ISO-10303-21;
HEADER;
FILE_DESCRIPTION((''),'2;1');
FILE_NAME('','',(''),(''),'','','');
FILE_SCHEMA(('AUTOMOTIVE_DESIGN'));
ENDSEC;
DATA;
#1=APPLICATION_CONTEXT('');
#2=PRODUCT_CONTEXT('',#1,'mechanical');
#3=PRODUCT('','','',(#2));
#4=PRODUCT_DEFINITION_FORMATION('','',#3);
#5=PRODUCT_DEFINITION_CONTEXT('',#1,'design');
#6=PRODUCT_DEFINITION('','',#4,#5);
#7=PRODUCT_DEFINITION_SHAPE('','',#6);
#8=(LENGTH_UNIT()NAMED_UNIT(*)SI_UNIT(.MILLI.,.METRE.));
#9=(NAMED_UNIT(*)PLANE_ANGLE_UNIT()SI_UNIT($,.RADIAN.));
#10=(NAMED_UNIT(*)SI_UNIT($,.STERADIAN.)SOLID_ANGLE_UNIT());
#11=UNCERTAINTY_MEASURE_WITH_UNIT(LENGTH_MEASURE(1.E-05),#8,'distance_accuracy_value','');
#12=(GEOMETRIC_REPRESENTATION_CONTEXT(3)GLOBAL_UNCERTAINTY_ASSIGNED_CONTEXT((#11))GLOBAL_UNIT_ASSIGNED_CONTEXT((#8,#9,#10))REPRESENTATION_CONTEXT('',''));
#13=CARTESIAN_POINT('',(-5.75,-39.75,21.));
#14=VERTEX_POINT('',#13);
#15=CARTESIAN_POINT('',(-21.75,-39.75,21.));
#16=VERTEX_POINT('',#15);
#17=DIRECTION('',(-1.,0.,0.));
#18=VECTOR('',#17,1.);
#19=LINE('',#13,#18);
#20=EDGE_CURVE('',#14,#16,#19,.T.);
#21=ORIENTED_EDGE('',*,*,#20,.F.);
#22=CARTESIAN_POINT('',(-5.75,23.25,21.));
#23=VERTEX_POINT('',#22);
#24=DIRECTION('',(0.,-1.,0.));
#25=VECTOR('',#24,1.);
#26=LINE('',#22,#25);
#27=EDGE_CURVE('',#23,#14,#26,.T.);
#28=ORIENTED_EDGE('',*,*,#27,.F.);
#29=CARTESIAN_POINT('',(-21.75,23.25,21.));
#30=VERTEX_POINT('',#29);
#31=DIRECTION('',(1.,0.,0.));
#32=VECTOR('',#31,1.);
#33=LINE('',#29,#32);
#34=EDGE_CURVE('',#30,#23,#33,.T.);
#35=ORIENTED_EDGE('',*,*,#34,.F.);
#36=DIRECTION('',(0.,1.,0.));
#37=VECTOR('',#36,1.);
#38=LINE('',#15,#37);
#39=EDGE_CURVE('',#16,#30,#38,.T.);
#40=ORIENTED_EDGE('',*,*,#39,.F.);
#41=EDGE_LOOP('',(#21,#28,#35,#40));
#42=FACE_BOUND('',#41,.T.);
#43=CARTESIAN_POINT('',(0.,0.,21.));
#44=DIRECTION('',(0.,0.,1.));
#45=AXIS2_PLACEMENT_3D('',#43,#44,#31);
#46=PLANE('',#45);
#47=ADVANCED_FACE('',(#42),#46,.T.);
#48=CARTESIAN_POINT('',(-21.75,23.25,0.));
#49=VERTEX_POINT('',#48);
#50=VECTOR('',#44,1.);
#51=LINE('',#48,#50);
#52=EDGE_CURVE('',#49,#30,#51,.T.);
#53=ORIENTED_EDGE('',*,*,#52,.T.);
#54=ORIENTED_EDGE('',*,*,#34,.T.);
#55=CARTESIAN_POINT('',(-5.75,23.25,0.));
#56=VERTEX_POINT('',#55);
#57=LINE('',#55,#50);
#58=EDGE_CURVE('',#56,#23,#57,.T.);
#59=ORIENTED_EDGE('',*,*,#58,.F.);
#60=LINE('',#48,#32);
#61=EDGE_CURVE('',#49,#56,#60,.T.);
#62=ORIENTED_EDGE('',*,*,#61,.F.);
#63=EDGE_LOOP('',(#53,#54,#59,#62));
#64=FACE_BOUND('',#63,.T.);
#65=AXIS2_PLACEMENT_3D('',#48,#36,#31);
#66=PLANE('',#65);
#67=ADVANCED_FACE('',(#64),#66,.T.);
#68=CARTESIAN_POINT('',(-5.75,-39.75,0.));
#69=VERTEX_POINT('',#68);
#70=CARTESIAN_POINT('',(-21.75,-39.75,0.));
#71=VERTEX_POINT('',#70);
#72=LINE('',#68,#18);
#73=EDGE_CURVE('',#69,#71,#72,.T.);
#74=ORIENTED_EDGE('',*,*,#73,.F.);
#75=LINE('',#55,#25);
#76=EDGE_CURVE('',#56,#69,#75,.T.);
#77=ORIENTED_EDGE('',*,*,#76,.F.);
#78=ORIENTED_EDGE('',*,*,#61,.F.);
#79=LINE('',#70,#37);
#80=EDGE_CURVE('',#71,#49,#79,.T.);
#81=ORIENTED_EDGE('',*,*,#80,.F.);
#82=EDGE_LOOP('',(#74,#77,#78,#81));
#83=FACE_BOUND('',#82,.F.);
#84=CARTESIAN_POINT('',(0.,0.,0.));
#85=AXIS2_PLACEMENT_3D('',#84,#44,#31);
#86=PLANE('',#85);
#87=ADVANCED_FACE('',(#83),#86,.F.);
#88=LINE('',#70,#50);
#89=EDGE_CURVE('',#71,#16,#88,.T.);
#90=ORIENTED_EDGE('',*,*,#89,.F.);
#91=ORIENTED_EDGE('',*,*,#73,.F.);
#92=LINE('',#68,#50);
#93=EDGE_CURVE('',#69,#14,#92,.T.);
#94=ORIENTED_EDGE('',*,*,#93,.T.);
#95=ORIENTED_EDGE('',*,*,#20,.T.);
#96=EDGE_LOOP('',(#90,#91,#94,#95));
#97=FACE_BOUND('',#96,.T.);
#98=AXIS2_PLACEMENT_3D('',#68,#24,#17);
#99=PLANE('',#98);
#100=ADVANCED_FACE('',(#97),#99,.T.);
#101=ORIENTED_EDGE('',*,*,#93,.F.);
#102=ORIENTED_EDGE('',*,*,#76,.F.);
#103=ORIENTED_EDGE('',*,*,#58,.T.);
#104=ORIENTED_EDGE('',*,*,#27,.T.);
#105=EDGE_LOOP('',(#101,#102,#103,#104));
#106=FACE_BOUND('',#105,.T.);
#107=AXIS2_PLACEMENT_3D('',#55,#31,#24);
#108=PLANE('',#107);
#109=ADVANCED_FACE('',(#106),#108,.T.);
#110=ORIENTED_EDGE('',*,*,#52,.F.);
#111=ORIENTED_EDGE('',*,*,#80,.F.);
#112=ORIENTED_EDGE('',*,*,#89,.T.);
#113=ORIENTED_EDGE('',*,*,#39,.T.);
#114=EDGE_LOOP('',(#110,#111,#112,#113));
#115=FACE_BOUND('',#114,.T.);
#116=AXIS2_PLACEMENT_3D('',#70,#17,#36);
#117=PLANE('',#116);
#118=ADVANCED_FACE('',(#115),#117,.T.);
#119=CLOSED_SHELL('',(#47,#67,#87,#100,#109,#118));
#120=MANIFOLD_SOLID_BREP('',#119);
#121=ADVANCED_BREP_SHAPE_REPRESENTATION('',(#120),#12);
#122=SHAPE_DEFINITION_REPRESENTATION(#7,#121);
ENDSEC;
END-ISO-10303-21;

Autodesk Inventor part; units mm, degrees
ref_plane "YZ Plane" through (0, 0, 0) normal (1, 0, 0) x (0, 1, 0)
ref_plane "XZ Plane" through (0, 0, 0) normal (0, 1, 0) x (-1, 0, 0)
ref_plane "XY Plane" through (0, 0, 0) normal (0, 0, 1) x (1, 0, 0)
sketch "Sketch1" plane through (0, 0, 0) normal (0, 0, 1) x (1, 0, 0)
  line L0 (-21.75, 23.25) -> (-5.75, 23.25)
  line L1 (-5.75, 23.25) -> (-5.75, -39.75)
  line L2 (-5.75, -39.75) -> (-21.75, -39.75)
  line L3 (-21.75, -39.75) -> (-21.75, 23.25)
  line L4 (-21.95, -42.75) -> (18.75, -42.75) construction
  line L5 (-21.95, -0.75) -> (-21.95, -42.75) construction
  point P0 (0, 0)
  dimension "d0" = 63
  dimension "d1" = 16
  dimension "d2" = 0.2
  dimension "d3" = 3
extrude "Extrusion1" add sketch "Sketch1" along normal blind 21
properties part number "tattu"
